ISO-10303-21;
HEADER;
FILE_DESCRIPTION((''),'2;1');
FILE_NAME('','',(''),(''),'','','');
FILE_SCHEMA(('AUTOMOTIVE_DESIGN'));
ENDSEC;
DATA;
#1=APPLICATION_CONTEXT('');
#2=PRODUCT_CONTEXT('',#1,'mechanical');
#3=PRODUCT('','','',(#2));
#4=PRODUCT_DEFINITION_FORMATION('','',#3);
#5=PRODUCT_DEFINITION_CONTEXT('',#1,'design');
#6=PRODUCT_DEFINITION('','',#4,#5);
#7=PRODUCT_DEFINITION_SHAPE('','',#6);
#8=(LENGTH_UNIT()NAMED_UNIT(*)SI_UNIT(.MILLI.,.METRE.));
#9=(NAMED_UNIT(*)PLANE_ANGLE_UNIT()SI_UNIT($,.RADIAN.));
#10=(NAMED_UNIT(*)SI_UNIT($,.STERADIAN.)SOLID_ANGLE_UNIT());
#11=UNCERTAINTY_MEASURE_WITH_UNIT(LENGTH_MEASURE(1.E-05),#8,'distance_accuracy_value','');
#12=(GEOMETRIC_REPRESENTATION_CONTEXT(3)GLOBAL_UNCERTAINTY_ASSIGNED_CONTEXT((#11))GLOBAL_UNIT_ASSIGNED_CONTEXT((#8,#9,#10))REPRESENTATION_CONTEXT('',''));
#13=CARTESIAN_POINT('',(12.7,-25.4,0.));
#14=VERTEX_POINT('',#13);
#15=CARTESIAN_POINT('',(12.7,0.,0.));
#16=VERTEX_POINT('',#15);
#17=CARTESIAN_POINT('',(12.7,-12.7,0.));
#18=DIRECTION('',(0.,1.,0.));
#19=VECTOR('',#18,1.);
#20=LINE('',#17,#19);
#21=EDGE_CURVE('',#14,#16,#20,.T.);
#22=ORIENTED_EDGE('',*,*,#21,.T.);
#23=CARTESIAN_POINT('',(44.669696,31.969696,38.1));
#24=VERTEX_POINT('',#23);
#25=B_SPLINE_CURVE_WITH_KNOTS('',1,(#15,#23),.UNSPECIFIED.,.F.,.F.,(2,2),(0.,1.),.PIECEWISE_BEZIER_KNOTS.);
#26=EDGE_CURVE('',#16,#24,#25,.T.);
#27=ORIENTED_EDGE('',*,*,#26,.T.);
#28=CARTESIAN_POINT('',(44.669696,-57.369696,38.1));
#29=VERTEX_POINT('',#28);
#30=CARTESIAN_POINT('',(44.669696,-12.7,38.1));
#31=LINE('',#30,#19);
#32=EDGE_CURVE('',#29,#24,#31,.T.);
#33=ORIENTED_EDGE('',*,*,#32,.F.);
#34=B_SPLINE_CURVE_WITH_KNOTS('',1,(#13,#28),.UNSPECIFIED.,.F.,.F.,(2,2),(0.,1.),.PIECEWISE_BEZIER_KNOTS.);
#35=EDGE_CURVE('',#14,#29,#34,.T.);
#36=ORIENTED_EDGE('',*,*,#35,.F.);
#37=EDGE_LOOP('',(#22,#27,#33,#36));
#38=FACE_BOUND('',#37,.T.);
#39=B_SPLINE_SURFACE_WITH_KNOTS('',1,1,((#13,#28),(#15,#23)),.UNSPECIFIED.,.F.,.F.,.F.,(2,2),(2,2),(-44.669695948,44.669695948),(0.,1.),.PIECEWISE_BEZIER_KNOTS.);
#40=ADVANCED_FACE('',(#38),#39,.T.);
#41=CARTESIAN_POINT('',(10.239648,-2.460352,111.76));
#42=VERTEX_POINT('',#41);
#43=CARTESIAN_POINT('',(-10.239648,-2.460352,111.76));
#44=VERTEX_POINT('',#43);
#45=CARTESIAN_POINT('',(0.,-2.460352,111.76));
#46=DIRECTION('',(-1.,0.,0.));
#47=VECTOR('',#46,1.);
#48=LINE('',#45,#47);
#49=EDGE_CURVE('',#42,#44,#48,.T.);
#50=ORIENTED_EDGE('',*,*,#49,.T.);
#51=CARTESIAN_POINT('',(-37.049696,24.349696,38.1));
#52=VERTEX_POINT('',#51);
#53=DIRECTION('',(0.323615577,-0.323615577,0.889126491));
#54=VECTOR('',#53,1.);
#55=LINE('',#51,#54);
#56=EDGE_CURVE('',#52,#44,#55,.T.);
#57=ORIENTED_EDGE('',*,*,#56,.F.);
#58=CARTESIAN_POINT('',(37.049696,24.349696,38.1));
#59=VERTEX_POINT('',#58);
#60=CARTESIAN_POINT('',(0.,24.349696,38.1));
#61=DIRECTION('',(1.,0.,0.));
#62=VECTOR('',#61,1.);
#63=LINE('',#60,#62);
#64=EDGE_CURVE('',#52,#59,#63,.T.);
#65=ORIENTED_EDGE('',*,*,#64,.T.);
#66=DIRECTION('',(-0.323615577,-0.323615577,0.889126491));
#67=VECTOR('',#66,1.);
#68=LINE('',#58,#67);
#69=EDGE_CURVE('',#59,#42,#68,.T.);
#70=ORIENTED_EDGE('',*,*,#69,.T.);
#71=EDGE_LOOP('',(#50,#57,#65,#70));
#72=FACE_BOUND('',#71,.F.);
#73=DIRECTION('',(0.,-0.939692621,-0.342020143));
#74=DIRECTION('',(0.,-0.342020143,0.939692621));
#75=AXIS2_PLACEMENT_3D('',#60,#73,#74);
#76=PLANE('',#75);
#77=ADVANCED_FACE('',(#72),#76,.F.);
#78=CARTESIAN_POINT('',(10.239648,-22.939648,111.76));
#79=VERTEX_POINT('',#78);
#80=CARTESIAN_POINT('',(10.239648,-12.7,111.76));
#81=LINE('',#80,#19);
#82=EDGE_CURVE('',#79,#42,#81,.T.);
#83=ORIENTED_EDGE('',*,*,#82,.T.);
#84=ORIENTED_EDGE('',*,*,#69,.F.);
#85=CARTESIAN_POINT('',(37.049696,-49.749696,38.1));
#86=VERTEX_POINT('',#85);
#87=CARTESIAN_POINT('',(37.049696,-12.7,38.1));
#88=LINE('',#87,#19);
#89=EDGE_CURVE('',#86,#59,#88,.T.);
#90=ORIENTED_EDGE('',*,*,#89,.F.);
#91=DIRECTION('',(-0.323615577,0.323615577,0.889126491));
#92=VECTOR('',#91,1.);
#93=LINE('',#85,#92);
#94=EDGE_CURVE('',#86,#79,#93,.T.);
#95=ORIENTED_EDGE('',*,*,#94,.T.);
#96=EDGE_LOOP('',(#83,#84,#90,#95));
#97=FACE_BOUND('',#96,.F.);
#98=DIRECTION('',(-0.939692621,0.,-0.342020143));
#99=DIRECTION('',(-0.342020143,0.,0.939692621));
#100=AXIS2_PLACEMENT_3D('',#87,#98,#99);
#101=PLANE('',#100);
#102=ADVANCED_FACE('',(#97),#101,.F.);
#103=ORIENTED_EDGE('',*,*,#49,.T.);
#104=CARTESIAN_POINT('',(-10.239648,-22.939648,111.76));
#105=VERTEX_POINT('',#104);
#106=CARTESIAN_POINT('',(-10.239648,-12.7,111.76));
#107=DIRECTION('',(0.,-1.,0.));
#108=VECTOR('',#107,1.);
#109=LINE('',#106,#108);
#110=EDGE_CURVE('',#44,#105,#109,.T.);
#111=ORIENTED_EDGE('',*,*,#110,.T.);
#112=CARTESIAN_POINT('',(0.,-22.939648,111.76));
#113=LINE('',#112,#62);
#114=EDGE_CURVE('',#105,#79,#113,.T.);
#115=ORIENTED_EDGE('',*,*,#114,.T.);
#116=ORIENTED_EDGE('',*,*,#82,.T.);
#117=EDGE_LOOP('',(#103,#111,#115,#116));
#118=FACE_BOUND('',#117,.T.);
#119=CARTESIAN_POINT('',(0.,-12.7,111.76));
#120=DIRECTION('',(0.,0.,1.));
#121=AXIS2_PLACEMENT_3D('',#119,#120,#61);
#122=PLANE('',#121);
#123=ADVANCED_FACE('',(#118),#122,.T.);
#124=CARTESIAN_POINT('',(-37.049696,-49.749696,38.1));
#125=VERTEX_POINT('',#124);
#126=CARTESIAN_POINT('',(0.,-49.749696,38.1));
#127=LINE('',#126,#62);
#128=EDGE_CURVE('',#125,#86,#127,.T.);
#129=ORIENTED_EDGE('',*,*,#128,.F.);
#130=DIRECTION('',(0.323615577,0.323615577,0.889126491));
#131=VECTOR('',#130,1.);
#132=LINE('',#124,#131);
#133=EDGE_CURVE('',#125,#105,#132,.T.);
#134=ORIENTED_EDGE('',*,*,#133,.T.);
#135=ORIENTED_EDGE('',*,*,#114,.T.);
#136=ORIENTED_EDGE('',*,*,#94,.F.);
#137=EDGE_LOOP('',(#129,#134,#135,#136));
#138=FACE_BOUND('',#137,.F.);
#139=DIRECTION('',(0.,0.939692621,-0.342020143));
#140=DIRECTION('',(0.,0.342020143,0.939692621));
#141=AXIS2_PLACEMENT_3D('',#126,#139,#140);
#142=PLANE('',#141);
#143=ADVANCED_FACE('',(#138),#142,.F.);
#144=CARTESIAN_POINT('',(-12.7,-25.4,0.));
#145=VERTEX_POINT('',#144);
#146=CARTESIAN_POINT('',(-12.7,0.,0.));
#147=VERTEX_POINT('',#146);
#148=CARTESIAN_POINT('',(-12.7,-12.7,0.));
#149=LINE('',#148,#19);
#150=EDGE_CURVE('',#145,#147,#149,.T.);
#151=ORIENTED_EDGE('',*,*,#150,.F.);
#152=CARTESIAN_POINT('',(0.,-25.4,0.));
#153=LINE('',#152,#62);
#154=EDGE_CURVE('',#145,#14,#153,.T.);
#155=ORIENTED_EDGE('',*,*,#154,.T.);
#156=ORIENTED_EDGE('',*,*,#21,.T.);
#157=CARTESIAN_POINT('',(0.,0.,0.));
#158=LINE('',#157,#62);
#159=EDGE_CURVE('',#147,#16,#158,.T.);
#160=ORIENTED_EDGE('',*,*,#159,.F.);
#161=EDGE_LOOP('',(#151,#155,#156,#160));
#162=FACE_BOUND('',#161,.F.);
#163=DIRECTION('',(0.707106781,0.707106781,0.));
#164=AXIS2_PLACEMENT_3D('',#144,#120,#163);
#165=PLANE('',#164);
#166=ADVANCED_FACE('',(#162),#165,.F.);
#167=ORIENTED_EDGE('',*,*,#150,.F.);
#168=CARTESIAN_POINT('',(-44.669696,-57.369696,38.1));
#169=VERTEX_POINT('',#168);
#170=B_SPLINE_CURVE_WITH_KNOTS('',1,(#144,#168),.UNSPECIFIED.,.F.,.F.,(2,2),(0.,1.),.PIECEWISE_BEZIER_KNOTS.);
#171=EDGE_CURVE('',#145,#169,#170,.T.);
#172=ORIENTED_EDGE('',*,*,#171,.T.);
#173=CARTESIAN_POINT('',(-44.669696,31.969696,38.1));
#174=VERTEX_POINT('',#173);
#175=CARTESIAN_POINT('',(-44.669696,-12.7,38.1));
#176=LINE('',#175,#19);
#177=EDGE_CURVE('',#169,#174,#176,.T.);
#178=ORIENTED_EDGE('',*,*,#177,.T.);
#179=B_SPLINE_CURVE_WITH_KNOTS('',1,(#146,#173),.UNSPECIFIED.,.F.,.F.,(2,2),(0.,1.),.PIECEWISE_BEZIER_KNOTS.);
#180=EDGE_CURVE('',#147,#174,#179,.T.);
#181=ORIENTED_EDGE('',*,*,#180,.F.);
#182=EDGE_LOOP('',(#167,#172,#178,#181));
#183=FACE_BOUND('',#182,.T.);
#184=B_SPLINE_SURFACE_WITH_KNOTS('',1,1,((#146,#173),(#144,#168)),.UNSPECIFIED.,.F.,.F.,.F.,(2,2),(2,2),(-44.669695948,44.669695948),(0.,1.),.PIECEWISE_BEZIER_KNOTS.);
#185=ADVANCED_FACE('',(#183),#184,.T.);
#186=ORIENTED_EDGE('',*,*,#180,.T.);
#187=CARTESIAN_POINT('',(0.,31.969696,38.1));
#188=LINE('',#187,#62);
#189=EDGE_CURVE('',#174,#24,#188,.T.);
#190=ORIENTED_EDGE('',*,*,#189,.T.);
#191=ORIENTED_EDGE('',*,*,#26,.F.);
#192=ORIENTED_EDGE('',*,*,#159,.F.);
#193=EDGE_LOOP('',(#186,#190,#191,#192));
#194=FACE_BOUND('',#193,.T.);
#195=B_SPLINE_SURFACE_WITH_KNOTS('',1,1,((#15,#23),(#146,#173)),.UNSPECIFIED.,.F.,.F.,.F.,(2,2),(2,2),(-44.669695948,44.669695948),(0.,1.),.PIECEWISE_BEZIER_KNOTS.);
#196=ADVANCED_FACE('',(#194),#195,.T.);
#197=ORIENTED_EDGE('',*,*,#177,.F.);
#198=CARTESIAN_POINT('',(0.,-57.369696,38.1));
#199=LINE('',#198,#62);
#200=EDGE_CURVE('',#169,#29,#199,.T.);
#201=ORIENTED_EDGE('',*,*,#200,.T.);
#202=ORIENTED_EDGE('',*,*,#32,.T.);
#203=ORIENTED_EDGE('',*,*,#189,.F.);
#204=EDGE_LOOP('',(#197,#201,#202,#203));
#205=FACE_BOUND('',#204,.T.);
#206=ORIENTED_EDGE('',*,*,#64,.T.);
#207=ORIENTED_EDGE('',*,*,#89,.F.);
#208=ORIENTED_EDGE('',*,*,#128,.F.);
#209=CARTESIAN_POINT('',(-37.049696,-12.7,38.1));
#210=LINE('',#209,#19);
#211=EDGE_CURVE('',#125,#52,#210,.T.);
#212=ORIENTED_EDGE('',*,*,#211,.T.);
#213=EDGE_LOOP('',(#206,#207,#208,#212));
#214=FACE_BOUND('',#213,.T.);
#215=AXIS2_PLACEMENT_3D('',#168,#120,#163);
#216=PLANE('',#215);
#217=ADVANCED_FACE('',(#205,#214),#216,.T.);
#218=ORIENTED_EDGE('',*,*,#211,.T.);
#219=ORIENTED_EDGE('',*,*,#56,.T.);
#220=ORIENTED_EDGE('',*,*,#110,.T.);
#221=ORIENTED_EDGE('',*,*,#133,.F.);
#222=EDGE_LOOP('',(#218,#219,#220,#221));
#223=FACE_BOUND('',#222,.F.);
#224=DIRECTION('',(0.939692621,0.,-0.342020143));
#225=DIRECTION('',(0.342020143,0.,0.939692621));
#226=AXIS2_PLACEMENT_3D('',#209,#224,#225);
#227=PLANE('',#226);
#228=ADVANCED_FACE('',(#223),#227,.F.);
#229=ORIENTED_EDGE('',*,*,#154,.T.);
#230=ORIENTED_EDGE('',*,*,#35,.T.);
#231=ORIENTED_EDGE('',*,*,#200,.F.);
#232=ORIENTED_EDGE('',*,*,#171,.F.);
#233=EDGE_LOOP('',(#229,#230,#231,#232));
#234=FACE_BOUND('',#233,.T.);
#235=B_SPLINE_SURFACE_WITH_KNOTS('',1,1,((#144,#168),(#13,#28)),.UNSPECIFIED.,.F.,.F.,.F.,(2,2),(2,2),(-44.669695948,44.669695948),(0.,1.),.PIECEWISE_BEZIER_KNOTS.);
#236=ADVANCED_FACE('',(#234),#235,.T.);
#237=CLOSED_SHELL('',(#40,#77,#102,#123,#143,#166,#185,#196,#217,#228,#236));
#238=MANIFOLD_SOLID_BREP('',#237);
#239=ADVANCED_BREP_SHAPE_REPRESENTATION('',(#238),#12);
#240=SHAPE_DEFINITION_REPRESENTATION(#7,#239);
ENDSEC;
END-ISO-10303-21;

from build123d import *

# Parameters (mm, degrees)
F0_W     = 25.4
F0_H     = 25.4
F1_DEPTH = 38.1
F1_TAPER = -40
F2_W     = 74.0993918957
F2_H     = 74.0993918957
F3_DEPTH = 73.66
F3_TAPER = 20


with BuildPart() as f1:
    # F0 (on Top) → F1 (new body)
    with BuildSketch(Plane.XY):
        with Locations((0, -12.7)):
            Rectangle(F0_W, F0_H)
    extrude(amount=F1_DEPTH, taper=F1_TAPER)

    # F2 (on face) → F3 (join)
    with BuildSketch(Plane.XY.offset(38.1)):
        with Locations((0, -12.7)):
            Rectangle(F2_W, F2_H)
    extrude(amount=F3_DEPTH, taper=F3_TAPER)


solid = f1.part
